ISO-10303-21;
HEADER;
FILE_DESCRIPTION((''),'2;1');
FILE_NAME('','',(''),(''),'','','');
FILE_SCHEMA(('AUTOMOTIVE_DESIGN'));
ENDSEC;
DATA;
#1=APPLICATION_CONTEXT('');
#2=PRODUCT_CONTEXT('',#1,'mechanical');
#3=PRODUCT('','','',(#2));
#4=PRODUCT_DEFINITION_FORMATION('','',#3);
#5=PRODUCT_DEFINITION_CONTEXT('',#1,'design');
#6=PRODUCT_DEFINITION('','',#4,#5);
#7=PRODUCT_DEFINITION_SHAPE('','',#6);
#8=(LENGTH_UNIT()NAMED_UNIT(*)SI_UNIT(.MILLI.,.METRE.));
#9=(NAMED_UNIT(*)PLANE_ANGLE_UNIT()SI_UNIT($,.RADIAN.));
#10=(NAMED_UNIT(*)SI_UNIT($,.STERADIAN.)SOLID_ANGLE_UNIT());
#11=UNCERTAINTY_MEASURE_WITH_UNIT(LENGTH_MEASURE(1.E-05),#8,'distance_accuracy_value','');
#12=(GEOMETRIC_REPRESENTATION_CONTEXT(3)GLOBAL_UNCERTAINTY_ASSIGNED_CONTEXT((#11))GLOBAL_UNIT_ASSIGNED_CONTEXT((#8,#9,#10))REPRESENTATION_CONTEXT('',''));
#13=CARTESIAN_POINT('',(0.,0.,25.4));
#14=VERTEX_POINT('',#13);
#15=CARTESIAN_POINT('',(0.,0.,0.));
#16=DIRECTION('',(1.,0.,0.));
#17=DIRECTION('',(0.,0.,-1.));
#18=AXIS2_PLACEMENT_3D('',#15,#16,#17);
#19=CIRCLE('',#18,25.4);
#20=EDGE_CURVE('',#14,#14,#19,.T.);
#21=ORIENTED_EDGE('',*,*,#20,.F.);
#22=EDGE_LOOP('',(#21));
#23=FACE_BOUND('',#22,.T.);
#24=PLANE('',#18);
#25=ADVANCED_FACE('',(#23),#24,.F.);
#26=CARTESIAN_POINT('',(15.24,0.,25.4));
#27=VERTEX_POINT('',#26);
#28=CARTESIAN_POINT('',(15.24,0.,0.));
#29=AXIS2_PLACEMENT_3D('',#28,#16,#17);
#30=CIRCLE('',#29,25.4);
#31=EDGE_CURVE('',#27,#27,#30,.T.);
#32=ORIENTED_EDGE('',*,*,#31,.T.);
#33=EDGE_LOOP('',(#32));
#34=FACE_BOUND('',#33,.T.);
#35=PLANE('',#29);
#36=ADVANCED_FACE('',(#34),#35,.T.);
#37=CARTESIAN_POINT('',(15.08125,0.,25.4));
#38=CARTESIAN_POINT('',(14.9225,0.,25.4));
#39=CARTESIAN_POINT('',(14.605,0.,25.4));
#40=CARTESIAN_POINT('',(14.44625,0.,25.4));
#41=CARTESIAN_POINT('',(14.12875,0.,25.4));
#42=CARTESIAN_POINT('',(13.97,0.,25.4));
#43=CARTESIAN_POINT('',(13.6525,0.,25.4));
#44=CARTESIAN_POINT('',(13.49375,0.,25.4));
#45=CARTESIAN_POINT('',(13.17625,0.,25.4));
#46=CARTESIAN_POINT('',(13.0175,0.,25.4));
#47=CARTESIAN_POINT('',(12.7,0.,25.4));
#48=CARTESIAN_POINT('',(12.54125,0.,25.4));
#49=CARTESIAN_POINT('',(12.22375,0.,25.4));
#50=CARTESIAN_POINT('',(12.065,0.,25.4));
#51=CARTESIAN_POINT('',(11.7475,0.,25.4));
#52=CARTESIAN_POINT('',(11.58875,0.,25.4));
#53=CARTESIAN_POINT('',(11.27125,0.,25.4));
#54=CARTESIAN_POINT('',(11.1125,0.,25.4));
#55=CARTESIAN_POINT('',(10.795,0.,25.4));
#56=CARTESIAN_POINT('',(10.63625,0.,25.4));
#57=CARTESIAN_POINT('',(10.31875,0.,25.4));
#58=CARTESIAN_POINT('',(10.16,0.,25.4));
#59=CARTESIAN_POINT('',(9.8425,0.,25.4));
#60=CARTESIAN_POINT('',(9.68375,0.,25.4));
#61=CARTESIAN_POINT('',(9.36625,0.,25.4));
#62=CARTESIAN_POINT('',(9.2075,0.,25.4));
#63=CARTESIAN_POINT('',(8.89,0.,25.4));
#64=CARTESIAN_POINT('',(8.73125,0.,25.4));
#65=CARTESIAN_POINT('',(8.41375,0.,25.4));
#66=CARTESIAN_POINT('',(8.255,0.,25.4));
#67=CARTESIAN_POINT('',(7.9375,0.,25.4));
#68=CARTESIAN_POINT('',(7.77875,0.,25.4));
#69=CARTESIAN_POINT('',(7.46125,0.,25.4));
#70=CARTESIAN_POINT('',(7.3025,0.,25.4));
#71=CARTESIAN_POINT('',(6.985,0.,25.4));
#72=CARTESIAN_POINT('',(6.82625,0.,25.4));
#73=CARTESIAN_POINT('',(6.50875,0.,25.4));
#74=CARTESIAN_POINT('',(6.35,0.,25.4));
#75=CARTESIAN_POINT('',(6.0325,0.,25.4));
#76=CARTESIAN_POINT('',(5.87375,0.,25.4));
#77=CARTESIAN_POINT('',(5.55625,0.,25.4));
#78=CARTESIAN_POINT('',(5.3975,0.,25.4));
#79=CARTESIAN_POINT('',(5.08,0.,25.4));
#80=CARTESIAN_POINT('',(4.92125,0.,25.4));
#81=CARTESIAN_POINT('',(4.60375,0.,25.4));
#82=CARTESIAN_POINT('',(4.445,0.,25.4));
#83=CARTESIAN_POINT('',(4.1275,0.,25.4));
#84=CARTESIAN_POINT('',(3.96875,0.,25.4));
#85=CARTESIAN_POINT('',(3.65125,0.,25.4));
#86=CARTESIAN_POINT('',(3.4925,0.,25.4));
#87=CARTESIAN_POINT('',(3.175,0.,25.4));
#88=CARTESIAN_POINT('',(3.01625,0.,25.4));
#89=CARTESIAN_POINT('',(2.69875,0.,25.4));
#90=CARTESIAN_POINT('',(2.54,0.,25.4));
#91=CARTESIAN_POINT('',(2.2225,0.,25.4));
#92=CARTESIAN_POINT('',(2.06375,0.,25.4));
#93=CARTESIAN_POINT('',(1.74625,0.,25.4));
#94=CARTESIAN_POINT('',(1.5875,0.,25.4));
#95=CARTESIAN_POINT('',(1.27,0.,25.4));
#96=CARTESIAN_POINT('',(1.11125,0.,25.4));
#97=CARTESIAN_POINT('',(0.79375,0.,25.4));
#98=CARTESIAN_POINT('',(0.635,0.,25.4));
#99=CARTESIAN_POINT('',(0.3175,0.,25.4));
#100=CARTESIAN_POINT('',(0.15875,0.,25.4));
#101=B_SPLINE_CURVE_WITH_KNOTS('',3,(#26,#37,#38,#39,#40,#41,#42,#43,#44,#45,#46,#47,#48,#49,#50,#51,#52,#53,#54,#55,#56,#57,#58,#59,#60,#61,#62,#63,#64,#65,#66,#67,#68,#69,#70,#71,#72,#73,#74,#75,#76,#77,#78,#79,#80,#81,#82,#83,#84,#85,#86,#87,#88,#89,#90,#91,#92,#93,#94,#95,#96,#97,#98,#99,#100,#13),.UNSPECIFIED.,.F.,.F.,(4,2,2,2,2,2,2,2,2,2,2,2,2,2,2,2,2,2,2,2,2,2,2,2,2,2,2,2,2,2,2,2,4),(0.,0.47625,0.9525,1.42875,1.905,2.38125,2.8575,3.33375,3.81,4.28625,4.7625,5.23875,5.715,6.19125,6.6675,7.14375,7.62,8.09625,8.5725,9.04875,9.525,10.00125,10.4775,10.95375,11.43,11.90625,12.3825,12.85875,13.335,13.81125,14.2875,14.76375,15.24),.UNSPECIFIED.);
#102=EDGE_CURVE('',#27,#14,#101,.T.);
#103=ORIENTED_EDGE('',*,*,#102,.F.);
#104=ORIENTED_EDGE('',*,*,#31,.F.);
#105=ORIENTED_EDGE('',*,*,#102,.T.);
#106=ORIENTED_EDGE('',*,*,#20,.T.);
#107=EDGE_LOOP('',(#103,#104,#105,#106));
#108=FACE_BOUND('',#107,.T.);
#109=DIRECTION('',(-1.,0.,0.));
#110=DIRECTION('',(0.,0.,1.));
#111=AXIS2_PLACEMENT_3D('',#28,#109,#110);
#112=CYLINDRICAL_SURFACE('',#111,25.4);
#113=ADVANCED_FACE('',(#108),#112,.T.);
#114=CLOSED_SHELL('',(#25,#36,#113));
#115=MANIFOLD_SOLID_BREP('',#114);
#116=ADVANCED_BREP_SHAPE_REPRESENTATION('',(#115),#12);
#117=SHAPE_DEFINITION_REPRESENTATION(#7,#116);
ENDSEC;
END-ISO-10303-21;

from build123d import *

# Parameters (mm, degrees)
SKETCH1_R           = 25.4
BOSS_EXTRUDE1_DEPTH = 15.24


with BuildPart() as part:
    # Sketch1 → Boss-Extrude1 (new body)
    with BuildSketch(Plane(origin=(0, 0, 0), x_dir=(0, 0, -1), z_dir=(1, 0, 0))):
        with Locations(Location((0, 0, 0), (0, 0, 180))):
            Circle(SKETCH1_R)
    extrude(amount=BOSS_EXTRUDE1_DEPTH)


solid = part.part
